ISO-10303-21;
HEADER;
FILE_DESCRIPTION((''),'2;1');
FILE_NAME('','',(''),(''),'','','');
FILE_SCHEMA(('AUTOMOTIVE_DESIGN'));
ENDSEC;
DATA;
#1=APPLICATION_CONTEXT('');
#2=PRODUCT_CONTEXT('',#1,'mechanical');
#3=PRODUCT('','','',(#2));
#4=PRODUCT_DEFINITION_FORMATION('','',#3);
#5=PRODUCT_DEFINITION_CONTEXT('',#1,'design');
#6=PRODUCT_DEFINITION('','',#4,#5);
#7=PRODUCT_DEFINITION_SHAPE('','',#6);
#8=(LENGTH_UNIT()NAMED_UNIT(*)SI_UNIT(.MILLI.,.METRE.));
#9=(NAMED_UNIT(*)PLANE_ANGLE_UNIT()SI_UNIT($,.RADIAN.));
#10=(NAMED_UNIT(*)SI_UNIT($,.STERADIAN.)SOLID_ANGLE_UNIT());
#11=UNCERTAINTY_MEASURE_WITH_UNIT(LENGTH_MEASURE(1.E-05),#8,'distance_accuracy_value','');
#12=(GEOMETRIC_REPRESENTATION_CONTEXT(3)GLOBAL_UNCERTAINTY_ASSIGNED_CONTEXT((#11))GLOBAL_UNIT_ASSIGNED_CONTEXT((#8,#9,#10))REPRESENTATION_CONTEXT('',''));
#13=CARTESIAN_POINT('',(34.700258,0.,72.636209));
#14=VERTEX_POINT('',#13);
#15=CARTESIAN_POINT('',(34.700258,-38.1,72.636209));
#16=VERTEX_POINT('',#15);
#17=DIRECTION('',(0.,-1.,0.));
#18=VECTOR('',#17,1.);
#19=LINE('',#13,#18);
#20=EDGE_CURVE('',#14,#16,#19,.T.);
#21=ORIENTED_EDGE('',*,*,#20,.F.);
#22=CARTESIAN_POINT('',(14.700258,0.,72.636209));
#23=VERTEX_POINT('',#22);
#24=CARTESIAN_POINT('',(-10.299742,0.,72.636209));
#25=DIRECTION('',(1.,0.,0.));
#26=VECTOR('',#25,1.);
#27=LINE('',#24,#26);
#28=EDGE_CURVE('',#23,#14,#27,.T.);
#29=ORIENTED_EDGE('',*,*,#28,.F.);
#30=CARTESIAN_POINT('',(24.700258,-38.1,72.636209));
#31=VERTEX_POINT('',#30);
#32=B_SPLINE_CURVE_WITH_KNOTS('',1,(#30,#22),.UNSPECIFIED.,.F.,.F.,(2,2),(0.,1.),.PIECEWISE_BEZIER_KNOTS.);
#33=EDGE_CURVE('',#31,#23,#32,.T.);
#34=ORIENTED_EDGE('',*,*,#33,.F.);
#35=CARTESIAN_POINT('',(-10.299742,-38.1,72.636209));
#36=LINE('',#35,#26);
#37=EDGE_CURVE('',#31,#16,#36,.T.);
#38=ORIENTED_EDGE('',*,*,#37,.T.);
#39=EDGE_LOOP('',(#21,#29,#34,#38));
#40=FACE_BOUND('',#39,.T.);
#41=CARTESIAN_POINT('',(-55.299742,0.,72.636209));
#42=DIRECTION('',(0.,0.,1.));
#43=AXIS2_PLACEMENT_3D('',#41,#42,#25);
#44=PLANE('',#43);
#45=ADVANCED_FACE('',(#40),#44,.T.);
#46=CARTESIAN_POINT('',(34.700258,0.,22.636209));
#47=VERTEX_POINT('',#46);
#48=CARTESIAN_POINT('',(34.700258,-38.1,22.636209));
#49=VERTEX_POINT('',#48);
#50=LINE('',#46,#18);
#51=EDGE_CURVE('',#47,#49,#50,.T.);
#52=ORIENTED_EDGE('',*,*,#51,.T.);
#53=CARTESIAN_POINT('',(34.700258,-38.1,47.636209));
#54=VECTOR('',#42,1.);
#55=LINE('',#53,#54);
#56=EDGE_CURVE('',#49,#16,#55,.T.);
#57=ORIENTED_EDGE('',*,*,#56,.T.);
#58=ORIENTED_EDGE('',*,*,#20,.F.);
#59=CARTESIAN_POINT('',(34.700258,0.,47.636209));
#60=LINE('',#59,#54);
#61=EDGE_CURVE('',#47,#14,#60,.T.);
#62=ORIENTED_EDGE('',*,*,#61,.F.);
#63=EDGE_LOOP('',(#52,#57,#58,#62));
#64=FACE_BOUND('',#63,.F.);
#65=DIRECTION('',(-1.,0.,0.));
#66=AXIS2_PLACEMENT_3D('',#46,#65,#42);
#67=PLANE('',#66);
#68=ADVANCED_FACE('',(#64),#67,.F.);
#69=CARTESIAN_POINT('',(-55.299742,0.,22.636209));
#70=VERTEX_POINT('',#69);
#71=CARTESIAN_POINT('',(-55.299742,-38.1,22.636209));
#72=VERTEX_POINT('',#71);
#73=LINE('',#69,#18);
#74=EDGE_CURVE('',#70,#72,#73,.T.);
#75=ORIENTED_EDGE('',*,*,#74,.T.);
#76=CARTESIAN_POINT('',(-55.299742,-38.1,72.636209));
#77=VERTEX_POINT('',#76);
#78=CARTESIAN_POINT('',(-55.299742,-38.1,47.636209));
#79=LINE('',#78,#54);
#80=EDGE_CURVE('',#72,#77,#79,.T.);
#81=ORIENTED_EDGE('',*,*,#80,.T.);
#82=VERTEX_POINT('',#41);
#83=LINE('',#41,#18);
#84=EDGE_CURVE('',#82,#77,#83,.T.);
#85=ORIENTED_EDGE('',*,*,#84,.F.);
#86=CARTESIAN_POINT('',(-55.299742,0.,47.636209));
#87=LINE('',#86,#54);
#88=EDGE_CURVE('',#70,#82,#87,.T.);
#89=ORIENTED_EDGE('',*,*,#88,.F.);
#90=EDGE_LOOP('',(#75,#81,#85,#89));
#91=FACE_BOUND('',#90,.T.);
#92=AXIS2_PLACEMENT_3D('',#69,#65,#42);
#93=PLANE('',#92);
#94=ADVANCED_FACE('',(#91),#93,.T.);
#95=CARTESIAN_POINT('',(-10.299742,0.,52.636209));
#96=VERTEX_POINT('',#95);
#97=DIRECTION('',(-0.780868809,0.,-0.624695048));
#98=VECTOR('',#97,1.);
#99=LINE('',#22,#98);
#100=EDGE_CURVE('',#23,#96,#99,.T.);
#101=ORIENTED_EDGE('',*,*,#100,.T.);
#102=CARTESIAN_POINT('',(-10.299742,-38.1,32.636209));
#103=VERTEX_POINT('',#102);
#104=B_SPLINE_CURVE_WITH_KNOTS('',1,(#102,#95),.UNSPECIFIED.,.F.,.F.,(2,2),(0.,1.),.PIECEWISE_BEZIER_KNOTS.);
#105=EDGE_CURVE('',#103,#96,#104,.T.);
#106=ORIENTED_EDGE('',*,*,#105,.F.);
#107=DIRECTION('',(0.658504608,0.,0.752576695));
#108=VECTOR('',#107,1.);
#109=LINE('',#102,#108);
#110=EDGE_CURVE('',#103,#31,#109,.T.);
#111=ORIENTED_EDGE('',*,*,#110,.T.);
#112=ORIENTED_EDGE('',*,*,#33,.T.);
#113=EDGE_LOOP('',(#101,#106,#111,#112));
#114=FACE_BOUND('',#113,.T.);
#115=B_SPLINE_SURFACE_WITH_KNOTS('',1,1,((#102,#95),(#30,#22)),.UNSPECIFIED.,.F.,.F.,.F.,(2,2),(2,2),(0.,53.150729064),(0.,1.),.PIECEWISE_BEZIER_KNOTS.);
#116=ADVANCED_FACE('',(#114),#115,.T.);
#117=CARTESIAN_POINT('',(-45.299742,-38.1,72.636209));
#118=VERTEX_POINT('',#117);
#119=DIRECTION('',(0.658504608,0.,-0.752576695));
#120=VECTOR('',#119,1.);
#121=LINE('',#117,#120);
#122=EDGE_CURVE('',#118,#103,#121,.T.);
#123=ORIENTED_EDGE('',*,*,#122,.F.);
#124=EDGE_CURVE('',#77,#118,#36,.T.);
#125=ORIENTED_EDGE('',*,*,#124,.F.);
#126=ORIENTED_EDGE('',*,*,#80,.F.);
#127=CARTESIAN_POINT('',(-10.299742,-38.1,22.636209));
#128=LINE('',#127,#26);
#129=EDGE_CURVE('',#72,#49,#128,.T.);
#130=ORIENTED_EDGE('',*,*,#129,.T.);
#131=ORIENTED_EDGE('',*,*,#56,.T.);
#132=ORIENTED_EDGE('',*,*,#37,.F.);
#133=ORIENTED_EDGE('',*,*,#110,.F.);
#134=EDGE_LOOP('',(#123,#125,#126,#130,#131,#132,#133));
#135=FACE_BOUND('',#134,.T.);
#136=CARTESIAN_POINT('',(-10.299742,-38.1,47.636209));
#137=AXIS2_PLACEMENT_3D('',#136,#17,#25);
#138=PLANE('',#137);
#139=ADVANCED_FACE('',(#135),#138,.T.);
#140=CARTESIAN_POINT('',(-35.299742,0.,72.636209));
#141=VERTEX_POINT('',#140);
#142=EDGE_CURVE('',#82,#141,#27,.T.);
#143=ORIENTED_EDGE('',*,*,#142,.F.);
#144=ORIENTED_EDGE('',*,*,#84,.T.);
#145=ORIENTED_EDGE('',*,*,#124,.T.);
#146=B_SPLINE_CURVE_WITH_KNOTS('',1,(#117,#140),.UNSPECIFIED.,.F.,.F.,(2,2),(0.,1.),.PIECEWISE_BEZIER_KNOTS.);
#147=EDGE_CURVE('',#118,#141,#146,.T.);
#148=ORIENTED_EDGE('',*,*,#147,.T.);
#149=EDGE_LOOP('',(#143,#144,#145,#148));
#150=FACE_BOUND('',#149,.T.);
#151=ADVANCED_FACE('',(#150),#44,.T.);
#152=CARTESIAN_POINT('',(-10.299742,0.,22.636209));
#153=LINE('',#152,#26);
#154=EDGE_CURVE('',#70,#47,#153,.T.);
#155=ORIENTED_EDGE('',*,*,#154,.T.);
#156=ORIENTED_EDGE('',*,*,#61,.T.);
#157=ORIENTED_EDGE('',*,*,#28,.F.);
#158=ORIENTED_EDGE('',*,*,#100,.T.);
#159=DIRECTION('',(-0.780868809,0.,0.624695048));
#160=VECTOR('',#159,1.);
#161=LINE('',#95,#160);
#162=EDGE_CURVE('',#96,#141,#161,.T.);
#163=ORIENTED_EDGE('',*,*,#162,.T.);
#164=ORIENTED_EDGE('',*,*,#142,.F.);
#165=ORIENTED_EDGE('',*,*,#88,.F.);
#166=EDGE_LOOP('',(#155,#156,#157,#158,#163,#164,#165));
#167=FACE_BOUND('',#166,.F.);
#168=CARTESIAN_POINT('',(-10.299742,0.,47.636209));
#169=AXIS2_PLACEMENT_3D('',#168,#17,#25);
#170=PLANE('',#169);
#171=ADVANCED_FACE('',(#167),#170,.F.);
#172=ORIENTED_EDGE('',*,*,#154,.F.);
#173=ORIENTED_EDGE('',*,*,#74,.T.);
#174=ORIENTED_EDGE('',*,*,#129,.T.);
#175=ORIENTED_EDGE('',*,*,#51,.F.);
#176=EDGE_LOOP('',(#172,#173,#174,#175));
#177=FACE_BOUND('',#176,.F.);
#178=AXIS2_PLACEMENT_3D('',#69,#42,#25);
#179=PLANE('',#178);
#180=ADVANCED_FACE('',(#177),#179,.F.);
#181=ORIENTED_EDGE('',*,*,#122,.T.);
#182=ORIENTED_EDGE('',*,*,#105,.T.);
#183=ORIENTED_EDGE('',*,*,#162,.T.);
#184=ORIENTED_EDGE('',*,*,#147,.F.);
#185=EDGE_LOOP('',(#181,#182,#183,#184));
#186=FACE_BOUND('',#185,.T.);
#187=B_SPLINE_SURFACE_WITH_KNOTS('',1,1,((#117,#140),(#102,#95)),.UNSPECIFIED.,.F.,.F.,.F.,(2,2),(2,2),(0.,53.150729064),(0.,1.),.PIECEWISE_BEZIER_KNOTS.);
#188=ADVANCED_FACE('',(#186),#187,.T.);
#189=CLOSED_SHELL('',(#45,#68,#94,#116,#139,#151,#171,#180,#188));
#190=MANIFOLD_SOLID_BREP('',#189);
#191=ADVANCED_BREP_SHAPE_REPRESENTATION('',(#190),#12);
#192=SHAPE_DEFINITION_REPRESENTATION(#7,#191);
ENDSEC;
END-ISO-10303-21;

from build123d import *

# Parameters (mm, degrees)
F0_W     = 90
F0_H     = 50
F1_DEPTH = 38.1


with BuildPart() as f1:
    # F0 (on Front) → F1 (new body)
    with BuildSketch(Plane.XZ):
        with Locations((-10.299742, 47.636209)):
            Rectangle(F0_W, F0_H)
    extrude(amount=F1_DEPTH)

    # F2 (on face) → F4 section 0
    with BuildSketch(Plane.XZ.offset(38.1)):
        Polygon((24.700258, 72.636209), (-45.299742, 72.636209), (-10.299742, 32.636209), align=None)
    # F3 (on face) → F4 section 1
    with BuildSketch(Plane(origin=(0, 0, 0), x_dir=(-1, 0, 0), z_dir=(0, 1, 0))):
        Polygon((35.299742, 72.636209), (-14.700258, 72.636209), (10.299742, 52.636209), align=None)
    loft(mode=Mode.SUBTRACT)


solid = f1.part
